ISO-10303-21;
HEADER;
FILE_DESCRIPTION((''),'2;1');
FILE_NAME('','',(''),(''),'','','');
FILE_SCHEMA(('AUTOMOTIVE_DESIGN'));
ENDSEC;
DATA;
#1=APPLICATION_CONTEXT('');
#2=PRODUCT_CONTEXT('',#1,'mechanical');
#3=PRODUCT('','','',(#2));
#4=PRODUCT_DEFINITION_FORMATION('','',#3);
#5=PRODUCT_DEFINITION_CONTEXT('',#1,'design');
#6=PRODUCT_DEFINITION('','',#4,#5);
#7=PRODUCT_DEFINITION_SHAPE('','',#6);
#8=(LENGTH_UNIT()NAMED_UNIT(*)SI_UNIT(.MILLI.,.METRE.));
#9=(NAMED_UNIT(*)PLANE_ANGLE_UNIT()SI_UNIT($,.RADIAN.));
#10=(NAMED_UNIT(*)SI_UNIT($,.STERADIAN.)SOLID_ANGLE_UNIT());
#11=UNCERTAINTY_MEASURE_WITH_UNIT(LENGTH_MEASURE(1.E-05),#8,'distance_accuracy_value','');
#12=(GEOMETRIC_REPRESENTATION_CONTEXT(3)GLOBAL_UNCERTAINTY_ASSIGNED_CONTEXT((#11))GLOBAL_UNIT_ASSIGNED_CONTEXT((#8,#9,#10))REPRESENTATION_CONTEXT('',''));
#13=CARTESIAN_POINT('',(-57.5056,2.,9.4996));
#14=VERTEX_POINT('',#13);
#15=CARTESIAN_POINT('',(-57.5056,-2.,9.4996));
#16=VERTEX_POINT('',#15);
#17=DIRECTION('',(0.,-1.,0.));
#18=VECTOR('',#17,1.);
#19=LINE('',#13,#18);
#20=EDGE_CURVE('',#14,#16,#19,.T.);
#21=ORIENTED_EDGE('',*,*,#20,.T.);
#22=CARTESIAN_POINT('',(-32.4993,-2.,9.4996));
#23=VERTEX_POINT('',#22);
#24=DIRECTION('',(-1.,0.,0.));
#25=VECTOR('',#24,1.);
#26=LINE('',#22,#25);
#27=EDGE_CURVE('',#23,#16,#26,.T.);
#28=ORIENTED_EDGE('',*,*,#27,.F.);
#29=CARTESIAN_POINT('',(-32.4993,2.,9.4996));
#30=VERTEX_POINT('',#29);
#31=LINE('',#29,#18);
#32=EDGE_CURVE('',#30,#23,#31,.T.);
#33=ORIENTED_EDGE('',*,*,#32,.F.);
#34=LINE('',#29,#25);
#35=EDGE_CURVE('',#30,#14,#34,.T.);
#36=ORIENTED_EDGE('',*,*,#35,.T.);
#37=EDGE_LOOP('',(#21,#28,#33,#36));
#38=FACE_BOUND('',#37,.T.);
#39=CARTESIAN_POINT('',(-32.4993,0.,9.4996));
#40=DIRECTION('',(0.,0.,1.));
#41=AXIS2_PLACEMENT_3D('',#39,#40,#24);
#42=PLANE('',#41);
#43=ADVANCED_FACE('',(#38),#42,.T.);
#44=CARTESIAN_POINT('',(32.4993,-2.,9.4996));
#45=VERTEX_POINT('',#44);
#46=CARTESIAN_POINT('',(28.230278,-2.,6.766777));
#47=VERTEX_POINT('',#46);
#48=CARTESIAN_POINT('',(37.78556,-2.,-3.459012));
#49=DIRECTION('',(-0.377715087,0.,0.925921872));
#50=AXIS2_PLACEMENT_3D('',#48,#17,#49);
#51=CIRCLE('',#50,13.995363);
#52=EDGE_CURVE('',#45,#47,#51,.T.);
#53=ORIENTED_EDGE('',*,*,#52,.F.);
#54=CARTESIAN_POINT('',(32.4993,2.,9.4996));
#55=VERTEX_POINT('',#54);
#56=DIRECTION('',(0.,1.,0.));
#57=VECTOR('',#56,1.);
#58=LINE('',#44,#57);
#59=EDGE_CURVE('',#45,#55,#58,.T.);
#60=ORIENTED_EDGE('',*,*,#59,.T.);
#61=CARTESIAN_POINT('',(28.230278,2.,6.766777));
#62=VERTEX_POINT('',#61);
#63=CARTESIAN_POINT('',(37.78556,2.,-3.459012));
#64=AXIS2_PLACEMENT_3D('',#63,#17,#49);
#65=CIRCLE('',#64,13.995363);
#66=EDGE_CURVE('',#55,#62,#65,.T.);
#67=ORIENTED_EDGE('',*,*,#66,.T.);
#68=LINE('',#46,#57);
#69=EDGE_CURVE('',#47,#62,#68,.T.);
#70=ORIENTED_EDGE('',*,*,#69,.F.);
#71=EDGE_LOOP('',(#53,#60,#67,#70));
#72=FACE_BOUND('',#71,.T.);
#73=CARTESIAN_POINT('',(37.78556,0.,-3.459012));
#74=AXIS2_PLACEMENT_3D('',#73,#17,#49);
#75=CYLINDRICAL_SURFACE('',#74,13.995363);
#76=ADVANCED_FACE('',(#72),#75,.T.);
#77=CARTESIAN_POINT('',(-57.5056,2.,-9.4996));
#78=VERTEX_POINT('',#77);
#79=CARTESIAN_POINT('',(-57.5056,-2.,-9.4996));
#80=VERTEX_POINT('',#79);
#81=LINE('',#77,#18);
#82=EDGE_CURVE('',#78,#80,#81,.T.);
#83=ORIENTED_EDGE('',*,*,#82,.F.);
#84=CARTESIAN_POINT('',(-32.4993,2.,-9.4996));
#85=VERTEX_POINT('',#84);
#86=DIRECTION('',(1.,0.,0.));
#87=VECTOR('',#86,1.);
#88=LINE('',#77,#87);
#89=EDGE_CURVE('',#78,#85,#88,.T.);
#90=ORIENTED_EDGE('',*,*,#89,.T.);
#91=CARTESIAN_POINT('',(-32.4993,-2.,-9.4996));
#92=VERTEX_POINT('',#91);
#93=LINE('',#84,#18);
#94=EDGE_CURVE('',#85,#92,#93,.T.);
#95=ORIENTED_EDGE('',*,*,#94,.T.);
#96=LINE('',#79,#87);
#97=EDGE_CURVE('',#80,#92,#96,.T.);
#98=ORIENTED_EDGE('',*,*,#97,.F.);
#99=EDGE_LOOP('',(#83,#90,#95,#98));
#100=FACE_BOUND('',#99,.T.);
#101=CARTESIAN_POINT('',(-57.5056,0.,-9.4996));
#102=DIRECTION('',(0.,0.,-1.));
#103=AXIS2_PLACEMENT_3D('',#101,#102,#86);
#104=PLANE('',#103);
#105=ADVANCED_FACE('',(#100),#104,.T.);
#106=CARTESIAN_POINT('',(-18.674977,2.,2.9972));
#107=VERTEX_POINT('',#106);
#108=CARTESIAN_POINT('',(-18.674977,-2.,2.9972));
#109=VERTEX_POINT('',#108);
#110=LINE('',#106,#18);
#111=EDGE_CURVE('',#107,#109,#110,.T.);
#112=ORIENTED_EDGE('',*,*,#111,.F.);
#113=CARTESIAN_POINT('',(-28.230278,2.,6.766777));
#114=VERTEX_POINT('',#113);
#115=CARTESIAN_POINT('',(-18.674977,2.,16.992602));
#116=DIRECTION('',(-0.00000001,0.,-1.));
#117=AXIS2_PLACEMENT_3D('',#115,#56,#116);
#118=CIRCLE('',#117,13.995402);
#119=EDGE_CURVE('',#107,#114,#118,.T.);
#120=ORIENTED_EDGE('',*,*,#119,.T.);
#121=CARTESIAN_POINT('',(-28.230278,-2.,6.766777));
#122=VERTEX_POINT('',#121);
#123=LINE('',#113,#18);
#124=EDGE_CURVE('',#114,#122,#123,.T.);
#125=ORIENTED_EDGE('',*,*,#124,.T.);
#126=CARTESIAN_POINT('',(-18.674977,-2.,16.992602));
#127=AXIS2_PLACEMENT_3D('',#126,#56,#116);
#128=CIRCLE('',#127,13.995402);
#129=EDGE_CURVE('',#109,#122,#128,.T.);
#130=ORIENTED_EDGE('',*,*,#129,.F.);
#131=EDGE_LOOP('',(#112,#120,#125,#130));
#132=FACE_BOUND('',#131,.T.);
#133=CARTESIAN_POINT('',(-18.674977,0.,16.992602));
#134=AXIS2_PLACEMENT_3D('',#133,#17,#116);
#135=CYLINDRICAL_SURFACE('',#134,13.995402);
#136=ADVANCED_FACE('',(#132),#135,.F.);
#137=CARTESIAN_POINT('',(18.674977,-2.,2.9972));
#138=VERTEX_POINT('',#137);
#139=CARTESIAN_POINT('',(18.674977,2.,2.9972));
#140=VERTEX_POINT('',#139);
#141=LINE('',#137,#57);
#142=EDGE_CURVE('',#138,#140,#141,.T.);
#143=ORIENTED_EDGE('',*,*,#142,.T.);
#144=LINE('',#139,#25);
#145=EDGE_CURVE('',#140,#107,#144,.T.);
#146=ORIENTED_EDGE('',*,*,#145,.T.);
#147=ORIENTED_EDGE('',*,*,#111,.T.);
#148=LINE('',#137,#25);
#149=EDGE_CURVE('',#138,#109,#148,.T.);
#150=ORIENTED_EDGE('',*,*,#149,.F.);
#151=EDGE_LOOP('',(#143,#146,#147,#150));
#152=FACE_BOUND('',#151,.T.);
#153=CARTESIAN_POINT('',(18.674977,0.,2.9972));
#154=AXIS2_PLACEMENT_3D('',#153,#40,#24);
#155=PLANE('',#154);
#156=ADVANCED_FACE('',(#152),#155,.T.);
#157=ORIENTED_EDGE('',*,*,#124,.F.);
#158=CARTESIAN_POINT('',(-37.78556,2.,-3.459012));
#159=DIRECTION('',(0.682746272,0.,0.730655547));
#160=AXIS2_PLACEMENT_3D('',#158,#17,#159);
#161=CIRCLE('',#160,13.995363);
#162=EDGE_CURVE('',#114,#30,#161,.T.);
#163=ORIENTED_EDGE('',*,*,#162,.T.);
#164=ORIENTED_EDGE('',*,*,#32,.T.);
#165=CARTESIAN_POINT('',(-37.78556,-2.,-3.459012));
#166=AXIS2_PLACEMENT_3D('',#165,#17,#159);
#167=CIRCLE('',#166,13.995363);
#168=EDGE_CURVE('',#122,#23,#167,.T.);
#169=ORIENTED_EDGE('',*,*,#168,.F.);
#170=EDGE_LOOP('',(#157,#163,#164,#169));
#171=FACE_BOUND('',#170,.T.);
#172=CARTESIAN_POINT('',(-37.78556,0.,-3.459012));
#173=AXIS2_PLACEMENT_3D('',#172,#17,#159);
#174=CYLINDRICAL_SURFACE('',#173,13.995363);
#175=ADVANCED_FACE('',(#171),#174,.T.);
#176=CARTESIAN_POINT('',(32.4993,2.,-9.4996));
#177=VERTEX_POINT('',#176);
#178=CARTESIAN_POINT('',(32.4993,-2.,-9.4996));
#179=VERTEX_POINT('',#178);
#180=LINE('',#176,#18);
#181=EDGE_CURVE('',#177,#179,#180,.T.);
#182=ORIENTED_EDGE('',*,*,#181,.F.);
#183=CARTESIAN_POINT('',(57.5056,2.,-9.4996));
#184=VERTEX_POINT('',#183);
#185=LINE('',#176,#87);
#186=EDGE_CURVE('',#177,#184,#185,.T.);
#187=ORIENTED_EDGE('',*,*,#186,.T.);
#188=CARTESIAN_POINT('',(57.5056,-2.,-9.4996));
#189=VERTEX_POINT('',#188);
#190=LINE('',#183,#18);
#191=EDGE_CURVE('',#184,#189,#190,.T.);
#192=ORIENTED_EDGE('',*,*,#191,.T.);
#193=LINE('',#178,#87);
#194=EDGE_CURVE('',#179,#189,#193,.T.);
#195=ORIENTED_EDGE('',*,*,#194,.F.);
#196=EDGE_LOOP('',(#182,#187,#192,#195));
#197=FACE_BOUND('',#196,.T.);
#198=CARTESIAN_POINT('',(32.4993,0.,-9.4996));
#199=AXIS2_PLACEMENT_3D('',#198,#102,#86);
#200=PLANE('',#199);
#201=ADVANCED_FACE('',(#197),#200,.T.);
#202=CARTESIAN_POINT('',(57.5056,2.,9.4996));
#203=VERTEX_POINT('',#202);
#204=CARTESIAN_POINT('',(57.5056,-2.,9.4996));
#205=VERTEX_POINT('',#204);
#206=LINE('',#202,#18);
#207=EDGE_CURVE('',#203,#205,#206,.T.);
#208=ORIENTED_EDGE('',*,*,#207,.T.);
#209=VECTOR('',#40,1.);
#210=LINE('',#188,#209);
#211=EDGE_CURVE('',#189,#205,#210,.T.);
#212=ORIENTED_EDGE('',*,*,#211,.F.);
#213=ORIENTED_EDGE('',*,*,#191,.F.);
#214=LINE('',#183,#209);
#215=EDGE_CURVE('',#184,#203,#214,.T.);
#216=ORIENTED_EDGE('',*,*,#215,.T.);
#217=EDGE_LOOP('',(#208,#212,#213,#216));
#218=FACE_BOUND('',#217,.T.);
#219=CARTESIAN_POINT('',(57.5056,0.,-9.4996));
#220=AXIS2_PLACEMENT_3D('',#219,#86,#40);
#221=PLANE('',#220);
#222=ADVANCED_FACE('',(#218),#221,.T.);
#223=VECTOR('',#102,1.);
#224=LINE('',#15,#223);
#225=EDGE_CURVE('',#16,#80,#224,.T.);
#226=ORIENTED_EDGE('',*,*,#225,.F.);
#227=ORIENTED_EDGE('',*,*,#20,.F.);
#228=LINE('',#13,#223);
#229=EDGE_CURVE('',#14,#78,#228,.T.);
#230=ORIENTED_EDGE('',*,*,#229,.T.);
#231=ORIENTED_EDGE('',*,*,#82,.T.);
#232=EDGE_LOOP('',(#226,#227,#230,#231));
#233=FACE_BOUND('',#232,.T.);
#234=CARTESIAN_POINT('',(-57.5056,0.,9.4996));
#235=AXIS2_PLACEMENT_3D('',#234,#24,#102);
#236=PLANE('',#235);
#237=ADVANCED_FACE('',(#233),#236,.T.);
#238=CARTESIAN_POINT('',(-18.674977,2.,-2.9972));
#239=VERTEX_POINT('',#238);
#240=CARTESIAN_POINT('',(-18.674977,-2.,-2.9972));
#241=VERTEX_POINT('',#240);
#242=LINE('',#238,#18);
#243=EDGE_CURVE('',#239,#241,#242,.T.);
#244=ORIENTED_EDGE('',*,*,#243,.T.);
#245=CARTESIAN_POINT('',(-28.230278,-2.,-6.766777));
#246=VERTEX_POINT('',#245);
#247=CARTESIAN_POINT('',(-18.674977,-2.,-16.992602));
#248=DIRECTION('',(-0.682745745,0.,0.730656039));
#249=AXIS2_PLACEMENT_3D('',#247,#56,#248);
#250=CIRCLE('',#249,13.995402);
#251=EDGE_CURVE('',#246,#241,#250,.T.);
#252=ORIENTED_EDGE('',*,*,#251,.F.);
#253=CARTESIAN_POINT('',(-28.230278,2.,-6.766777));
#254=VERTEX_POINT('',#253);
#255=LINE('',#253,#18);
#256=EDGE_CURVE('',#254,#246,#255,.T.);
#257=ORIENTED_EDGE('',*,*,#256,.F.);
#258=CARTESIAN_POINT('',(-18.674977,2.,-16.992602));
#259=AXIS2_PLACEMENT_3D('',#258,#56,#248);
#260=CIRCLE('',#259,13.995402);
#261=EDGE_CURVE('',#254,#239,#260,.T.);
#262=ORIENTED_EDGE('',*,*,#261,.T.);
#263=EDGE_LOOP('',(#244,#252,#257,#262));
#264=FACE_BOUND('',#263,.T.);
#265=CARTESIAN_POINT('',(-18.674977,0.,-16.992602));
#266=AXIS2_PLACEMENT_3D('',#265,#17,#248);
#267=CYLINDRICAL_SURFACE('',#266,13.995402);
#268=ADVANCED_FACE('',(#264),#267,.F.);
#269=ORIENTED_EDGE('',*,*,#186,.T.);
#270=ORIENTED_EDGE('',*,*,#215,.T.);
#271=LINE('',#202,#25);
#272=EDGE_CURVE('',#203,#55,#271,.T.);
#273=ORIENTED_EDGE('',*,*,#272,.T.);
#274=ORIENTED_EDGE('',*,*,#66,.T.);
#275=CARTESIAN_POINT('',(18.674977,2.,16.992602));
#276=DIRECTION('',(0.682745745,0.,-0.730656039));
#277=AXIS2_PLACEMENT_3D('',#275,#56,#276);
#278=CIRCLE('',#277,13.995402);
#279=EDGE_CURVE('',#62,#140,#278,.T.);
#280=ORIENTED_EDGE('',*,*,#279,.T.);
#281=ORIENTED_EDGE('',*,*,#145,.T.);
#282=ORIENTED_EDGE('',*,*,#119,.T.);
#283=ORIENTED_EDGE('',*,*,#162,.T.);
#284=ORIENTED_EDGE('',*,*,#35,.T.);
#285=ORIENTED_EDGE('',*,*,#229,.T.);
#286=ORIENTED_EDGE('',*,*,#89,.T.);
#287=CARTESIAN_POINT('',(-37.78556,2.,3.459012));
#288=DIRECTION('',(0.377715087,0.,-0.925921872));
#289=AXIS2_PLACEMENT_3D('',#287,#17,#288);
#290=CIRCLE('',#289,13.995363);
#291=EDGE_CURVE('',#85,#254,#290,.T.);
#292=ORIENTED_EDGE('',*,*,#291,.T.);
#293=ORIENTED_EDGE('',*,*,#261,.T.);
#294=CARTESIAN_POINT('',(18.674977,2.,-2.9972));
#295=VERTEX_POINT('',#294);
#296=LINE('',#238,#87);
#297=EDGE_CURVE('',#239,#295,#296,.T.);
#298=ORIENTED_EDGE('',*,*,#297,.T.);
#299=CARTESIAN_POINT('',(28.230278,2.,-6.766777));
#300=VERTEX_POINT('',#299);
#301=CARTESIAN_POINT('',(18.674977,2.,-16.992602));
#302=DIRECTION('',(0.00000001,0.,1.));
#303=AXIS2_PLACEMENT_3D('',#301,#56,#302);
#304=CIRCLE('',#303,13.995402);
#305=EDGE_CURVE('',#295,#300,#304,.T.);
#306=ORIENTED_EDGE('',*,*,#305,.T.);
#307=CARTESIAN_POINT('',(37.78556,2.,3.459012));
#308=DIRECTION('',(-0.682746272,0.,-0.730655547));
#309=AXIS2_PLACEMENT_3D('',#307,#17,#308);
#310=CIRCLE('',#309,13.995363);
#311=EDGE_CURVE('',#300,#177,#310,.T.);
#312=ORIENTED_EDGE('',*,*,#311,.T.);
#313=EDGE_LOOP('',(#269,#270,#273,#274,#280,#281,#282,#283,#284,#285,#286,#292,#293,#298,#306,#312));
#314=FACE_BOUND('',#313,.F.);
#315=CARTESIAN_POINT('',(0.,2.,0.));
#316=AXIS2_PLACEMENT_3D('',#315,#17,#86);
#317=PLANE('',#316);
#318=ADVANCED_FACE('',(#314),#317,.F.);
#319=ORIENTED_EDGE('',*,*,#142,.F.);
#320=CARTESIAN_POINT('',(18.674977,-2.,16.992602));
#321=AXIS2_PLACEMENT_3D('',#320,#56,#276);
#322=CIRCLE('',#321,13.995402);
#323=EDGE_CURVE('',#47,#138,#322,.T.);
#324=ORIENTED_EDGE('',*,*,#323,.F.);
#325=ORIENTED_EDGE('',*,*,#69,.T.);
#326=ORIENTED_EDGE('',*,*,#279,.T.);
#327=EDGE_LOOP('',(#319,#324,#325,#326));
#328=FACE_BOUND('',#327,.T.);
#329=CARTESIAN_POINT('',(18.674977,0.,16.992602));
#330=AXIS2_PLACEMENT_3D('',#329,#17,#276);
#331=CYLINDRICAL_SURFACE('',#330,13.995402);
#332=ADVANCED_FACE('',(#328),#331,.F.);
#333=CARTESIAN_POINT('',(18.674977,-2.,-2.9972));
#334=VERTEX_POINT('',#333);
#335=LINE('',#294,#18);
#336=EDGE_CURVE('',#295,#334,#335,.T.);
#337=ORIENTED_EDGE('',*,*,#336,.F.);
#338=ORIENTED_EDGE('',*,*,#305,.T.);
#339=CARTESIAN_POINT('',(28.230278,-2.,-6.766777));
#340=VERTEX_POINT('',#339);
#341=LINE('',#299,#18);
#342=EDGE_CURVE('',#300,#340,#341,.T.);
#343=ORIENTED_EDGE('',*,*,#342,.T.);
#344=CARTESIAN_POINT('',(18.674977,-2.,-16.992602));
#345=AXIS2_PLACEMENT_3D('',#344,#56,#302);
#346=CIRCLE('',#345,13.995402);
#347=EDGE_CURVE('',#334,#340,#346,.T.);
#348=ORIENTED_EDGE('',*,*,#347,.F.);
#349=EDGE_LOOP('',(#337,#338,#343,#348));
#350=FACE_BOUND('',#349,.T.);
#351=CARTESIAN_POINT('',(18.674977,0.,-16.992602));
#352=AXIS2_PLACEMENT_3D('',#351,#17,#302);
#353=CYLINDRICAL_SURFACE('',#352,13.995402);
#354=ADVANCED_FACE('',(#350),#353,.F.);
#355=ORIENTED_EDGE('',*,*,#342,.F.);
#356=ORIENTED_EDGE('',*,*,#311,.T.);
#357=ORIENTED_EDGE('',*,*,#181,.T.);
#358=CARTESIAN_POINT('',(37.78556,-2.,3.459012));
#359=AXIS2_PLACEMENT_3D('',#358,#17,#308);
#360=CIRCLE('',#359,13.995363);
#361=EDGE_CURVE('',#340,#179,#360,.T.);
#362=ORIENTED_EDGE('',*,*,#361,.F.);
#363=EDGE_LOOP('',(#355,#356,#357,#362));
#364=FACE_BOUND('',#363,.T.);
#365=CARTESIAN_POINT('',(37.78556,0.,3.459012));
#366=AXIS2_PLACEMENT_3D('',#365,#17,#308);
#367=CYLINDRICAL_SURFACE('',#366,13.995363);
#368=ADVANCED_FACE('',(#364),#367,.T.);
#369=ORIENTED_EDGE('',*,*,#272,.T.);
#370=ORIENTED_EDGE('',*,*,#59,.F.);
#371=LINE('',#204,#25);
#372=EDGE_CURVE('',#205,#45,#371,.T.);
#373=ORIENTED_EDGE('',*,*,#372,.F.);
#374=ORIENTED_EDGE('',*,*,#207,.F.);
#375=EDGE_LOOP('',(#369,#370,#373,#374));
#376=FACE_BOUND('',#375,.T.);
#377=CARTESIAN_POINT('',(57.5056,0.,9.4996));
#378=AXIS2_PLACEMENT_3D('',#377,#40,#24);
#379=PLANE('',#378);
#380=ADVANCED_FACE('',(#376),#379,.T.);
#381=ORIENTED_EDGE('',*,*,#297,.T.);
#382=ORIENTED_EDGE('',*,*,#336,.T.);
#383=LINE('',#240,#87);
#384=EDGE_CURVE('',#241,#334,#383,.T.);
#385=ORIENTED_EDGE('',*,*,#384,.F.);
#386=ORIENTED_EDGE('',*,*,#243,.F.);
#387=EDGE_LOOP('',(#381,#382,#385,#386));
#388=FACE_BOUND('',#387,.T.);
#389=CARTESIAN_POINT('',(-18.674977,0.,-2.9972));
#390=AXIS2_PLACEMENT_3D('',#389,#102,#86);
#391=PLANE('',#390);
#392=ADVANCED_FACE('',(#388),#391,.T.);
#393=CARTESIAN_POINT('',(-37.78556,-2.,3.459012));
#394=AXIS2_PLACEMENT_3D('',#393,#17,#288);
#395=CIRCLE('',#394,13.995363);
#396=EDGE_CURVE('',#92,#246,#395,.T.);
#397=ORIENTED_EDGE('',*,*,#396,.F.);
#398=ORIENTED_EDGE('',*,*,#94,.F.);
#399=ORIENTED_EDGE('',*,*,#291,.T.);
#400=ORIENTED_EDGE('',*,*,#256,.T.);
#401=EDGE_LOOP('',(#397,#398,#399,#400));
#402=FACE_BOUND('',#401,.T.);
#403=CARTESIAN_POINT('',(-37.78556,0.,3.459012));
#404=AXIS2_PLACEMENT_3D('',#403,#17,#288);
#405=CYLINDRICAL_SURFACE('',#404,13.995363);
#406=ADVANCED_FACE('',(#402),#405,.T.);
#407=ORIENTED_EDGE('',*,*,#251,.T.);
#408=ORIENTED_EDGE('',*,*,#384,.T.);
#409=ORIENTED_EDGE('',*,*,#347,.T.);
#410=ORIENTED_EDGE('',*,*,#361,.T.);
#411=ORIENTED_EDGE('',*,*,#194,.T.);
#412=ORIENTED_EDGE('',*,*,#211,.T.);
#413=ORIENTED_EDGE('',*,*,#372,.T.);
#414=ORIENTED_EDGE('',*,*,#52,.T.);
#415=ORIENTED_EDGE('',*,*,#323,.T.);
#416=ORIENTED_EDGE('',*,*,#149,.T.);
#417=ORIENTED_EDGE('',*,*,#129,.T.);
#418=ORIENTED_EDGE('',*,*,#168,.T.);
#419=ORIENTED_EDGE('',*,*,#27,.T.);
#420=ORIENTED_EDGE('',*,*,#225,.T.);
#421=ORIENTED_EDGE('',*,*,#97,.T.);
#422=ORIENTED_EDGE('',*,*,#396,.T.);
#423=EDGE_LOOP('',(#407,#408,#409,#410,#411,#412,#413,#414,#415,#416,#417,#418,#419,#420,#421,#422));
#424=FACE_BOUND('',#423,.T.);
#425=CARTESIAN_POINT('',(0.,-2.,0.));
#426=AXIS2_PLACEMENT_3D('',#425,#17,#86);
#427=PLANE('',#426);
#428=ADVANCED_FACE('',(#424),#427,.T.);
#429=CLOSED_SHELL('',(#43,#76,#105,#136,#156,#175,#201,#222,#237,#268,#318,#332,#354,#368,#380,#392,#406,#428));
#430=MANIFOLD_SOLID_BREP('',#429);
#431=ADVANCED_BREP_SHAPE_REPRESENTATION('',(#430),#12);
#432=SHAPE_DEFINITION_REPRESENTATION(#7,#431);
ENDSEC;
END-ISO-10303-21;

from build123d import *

# Parameters (mm, degrees)
F1_DEPTH = 2


with BuildPart() as f1:
    # F0 (on Front) → F1 (new body, symmetric)
    with BuildSketch(Plane.XZ):
        with BuildLine():
            Line((18.674977, 2.9972), (0, 2.9972))
            Line((0, 2.9972), (-18.674977, 2.9972))
            ThreePointArc((-18.674977, 2.9972), (-23.810965, 3.973658), (-28.230278, 6.766777))
            ThreePointArc((-28.230278, 6.766777), (-30.240037, 8.328068), (-32.4993, 9.4996))
            Line((-32.4993, 9.4996), (-57.5056, 9.4996))
            Line((-57.5056, 9.4996), (-57.5056, 0))
            Line((-57.5056, 0), (-57.5056, -9.4996))
            Line((-57.5056, -9.4996), (-32.4993, -9.4996))
            ThreePointArc((-32.4993, -9.4996), (-30.240037, -8.328068), (-28.230278, -6.766777))
            ThreePointArc((-28.230278, -6.766777), (-23.810965, -3.973658), (-18.674977, -2.9972))
            Line((-18.674977, -2.9972), (0, -2.9972))
            Line((0, -2.9972), (18.674977, -2.9972))
            ThreePointArc((18.674977, -2.9972), (23.810965, -3.973658), (28.230278, -6.766777))
            ThreePointArc((28.230278, -6.766777), (30.240037, -8.328068), (32.4993, -9.4996))
            Line((32.4993, -9.4996), (57.5056, -9.4996))
            Line((57.5056, -9.4996), (57.5056, 0))
            Line((57.5056, 0), (57.5056, 9.4996))
            Line((57.5056, 9.4996), (32.4993, 9.4996))
            ThreePointArc((32.4993, 9.4996), (30.240037, 8.328068), (28.230278, 6.766777))
            ThreePointArc((28.230278, 6.766777), (23.810965, 3.973658), (18.674977, 2.9972))
        make_face()
    extrude(amount=F1_DEPTH, both=True)


solid = f1.part
